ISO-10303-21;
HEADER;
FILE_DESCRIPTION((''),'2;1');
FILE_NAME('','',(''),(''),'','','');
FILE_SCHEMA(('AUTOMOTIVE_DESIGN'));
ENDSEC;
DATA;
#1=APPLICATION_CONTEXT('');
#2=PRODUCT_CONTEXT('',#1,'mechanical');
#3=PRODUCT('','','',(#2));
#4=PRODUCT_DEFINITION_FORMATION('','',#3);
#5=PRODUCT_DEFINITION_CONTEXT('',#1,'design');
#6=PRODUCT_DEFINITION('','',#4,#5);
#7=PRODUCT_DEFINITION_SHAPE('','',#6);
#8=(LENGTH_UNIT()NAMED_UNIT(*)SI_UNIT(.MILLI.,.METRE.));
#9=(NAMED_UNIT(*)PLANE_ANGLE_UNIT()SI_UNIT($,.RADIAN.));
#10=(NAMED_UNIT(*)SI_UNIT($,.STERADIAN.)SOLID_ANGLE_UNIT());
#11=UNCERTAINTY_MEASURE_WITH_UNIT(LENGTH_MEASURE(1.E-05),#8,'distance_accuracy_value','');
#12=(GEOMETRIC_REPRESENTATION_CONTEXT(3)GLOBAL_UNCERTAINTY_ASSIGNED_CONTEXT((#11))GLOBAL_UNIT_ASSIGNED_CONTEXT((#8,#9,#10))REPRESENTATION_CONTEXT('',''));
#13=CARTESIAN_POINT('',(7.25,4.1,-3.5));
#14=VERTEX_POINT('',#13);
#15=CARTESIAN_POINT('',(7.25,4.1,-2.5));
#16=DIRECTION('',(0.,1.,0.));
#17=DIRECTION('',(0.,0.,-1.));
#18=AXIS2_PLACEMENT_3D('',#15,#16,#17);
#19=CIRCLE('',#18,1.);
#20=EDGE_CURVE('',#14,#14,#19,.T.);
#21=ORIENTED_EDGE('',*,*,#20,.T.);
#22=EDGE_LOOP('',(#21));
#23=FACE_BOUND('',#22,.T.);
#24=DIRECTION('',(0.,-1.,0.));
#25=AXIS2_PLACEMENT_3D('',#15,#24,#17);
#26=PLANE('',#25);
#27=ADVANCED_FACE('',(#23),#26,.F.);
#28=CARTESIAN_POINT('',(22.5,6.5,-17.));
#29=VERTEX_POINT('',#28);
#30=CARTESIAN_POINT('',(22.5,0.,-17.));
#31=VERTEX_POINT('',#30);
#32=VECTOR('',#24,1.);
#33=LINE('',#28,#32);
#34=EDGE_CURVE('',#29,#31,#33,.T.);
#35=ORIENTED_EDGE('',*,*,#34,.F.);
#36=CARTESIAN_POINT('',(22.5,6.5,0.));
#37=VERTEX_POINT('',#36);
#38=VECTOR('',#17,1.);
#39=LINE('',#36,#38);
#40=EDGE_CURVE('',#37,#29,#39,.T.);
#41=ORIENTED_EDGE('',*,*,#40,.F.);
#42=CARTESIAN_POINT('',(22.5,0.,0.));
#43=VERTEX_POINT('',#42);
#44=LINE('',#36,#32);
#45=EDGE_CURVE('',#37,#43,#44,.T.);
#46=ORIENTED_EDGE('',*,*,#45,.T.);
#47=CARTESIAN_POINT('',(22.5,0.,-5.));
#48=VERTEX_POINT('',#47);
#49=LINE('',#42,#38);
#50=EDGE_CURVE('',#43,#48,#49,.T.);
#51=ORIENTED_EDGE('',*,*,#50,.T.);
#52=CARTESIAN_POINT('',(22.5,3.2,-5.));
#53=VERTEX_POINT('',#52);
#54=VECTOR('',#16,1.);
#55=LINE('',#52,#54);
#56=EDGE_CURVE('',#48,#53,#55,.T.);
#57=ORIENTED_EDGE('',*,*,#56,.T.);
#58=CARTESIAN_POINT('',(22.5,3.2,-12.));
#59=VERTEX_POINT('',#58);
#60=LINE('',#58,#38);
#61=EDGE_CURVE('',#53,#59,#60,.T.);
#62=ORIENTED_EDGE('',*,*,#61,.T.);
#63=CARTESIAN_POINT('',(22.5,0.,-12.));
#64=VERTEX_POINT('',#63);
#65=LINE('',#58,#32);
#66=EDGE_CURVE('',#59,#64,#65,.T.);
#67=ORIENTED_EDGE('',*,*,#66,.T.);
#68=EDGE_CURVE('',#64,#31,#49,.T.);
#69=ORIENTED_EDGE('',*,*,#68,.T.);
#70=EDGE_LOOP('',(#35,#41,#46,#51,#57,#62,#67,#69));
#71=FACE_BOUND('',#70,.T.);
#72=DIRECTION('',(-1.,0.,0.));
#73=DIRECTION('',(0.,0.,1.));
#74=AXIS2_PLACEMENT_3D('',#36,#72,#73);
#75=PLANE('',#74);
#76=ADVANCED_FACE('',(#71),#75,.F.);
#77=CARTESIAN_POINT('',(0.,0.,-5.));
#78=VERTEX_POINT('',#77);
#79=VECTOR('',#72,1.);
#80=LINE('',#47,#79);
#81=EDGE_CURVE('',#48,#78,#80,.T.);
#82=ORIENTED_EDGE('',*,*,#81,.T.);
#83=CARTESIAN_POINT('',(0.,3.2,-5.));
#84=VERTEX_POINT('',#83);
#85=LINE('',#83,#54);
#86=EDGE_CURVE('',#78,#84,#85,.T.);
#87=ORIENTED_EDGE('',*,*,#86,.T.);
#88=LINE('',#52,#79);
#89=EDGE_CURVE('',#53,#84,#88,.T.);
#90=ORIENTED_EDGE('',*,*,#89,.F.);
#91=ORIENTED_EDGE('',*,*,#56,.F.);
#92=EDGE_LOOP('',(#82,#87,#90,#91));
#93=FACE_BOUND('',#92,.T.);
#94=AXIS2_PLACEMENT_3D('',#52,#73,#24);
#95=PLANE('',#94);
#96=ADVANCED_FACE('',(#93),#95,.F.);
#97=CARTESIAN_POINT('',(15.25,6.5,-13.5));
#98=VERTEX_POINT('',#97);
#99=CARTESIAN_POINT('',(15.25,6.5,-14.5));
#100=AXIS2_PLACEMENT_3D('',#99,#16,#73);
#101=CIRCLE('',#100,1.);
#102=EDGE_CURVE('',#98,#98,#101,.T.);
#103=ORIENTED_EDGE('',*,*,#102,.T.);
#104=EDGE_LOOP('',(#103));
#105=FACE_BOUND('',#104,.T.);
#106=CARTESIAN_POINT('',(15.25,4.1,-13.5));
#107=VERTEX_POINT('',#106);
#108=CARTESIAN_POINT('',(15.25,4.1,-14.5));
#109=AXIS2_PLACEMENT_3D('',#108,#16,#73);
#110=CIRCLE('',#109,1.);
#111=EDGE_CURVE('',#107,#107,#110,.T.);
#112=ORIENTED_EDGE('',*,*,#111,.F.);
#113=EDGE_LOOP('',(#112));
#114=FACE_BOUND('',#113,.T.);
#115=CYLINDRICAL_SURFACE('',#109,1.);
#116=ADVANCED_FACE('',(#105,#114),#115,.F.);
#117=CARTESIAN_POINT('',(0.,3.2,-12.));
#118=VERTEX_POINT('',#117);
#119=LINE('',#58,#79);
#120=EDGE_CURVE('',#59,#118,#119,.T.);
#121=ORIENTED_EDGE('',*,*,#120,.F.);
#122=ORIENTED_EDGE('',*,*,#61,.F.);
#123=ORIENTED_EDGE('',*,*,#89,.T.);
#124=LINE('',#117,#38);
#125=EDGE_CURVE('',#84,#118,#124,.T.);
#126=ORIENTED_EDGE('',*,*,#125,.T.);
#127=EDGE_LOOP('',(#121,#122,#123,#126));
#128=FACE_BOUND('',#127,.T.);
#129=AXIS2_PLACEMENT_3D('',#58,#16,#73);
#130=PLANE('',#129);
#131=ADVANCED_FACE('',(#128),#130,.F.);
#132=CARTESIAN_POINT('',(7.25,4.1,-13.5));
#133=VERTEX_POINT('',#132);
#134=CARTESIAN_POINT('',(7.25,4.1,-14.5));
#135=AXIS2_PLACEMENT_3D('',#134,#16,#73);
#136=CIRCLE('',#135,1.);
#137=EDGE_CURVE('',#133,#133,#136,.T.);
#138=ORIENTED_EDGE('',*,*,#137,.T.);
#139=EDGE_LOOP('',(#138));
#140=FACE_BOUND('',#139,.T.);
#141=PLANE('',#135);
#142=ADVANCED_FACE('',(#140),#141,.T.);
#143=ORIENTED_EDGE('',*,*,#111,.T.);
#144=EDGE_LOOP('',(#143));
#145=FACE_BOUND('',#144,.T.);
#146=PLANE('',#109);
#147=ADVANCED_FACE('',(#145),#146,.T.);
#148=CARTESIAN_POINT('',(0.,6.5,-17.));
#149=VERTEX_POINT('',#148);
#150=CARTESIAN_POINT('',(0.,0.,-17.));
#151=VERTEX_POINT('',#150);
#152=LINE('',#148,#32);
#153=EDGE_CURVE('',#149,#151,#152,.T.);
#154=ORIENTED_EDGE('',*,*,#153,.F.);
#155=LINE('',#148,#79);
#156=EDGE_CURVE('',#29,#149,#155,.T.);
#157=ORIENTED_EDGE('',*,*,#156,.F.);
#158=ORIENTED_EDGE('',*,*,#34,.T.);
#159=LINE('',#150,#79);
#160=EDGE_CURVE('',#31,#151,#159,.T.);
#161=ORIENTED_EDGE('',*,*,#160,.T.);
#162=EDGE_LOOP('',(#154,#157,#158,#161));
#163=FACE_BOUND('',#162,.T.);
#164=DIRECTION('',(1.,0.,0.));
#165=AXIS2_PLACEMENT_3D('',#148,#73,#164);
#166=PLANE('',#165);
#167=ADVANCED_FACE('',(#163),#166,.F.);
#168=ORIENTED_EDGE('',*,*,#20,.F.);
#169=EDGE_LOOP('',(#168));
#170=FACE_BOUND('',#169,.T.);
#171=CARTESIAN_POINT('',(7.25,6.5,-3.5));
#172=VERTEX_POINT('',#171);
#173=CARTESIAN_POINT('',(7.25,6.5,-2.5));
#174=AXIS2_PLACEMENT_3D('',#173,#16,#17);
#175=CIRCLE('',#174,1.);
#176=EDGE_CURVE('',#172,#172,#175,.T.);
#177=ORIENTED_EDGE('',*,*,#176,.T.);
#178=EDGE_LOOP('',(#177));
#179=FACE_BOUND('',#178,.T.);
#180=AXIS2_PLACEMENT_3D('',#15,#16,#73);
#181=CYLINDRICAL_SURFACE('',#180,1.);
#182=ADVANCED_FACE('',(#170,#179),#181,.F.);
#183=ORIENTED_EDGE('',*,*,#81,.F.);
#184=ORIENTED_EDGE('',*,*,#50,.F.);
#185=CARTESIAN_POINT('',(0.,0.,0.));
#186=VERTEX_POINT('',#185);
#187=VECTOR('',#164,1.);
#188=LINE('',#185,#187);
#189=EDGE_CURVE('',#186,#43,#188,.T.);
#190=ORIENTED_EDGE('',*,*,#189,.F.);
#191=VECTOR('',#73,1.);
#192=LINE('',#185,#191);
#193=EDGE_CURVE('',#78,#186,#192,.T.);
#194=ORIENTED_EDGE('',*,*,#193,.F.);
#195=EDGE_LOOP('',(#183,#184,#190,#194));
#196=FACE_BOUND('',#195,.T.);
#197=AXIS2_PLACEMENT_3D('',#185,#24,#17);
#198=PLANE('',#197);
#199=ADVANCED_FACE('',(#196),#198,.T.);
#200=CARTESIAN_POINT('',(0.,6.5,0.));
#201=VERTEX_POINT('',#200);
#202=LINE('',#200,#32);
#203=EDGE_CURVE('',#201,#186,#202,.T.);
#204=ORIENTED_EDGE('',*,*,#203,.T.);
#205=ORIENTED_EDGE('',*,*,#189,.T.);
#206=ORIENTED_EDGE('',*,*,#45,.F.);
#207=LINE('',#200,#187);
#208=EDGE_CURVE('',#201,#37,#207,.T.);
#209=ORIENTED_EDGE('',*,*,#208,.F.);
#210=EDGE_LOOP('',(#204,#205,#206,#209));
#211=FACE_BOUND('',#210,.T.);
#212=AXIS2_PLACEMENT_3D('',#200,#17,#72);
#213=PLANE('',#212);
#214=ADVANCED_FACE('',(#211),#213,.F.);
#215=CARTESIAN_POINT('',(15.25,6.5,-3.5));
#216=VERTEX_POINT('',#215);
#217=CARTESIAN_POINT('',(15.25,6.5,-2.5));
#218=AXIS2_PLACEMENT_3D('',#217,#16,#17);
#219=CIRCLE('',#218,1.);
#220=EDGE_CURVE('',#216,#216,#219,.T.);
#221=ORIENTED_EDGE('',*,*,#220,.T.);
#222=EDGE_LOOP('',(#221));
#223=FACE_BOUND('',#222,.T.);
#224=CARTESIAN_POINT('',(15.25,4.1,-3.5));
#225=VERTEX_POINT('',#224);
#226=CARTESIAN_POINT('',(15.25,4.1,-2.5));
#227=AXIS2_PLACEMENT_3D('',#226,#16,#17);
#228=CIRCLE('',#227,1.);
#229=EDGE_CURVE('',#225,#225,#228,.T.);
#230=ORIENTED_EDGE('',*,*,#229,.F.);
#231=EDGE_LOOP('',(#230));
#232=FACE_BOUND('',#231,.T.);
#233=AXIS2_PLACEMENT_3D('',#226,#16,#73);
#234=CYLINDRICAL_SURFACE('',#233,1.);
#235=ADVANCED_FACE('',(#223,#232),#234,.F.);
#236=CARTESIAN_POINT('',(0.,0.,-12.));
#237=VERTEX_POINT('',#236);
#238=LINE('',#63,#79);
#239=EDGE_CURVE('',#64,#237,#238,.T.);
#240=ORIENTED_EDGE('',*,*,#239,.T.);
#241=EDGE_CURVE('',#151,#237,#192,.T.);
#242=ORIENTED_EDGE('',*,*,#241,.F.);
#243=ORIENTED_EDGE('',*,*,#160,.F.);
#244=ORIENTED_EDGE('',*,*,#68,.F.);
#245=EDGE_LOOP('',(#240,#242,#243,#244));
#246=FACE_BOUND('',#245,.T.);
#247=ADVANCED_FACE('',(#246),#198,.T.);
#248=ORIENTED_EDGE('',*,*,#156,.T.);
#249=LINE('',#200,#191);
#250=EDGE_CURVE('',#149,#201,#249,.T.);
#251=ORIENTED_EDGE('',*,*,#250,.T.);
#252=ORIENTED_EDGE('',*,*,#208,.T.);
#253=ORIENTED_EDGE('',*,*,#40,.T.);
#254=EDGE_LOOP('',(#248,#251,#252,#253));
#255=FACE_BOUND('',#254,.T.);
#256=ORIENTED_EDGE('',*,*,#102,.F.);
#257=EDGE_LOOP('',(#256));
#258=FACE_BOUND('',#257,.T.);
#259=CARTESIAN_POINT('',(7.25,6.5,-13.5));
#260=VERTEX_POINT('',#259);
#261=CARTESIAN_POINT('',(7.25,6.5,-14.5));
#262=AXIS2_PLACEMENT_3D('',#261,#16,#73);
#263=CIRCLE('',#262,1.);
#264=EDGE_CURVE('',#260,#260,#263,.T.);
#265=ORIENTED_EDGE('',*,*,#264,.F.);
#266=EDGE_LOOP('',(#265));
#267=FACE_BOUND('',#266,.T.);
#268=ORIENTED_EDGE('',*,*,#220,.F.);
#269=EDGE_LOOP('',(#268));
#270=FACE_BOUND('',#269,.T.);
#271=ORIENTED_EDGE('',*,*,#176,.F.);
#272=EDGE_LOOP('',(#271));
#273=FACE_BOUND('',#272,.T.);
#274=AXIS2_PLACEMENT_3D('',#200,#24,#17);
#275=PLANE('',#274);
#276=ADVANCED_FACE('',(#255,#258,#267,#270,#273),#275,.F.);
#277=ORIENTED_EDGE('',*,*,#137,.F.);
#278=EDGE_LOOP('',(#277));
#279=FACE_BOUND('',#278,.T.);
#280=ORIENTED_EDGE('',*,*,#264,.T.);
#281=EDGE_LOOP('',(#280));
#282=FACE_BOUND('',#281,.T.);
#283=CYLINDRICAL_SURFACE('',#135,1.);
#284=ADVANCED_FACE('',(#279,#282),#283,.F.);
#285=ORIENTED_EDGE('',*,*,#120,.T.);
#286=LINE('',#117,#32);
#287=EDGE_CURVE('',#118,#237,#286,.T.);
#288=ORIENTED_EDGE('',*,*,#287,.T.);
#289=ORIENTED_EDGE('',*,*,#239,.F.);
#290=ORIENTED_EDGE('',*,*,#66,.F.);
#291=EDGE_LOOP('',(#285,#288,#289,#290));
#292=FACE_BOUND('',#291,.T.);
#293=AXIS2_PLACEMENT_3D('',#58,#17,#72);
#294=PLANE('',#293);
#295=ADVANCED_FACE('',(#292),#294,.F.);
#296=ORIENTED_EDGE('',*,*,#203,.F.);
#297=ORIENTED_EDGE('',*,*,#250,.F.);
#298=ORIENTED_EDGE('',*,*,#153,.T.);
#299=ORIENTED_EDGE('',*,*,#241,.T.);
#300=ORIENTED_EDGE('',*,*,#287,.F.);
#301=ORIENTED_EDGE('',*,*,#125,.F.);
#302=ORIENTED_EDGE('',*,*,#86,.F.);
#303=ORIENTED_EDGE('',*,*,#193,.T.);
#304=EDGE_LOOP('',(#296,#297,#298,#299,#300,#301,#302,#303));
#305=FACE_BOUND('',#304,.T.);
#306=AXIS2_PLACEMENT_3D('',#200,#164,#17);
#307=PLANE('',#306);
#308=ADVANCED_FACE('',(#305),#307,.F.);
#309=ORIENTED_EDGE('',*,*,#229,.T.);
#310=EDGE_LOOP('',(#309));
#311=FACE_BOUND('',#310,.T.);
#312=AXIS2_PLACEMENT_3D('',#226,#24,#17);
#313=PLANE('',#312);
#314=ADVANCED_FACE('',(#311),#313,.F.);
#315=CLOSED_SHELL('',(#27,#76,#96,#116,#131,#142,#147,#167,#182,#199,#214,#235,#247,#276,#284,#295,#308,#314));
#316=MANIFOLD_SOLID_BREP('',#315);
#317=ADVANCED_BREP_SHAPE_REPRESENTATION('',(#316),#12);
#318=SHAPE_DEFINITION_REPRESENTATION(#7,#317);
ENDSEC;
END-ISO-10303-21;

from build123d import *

# Parameters (mm, degrees)
SKETCH_1_W          = 22.5
SKETCH_1_H          = 17
EXTRUDE_1_DEPTH     = 6.5
SKETCH_2_W          = 7
SKETCH_2_H          = 3.2
CUT_EXTRUDE_1_DEPTH = 29.939592257
SKETCH_3_R          = 1
CUT_EXTRUDE_2_DEPTH = 2.4


with BuildPart() as part:
    # 草图1 → 凸台-拉伸1 (new body)
    with BuildSketch(Plane(origin=(0, 0, 0), x_dir=(1, 0, 0), z_dir=(0, 1, 0))):
        with Locations((11.25, 8.5)):
            Rectangle(SKETCH_1_W, SKETCH_1_H)
    extrude(amount=EXTRUDE_1_DEPTH)

    # 草图2 → 切除-拉伸1 (cut, through all)
    with BuildSketch(Plane.ZY):
        with Locations((-8.5, 1.6)):
            Rectangle(SKETCH_2_W, SKETCH_2_H)
    extrude(amount=-CUT_EXTRUDE_1_DEPTH, mode=Mode.SUBTRACT)

    # 草图3 → 切除-拉伸2 (cut)
    with BuildSketch(Plane(origin=(0, 6.5, 0), x_dir=(1, 0, 0), z_dir=(0, 1, 0))):
        with Locations(Location((7.25, 14.5, 0), (0, 0, 270))):
            Circle(SKETCH_3_R)
        with Locations(Location((15.25, 14.5, 0), (0, 0, 270))):
            Circle(SKETCH_3_R)
        with Locations(Location((15.25, 2.5, 0), (0, 0, 90))):
            Circle(SKETCH_3_R)
        with Locations(Location((7.25, 2.5, 0), (0, 0, 90))):
            Circle(SKETCH_3_R)
    extrude(amount=-CUT_EXTRUDE_2_DEPTH, mode=Mode.SUBTRACT)


solid = part.part
